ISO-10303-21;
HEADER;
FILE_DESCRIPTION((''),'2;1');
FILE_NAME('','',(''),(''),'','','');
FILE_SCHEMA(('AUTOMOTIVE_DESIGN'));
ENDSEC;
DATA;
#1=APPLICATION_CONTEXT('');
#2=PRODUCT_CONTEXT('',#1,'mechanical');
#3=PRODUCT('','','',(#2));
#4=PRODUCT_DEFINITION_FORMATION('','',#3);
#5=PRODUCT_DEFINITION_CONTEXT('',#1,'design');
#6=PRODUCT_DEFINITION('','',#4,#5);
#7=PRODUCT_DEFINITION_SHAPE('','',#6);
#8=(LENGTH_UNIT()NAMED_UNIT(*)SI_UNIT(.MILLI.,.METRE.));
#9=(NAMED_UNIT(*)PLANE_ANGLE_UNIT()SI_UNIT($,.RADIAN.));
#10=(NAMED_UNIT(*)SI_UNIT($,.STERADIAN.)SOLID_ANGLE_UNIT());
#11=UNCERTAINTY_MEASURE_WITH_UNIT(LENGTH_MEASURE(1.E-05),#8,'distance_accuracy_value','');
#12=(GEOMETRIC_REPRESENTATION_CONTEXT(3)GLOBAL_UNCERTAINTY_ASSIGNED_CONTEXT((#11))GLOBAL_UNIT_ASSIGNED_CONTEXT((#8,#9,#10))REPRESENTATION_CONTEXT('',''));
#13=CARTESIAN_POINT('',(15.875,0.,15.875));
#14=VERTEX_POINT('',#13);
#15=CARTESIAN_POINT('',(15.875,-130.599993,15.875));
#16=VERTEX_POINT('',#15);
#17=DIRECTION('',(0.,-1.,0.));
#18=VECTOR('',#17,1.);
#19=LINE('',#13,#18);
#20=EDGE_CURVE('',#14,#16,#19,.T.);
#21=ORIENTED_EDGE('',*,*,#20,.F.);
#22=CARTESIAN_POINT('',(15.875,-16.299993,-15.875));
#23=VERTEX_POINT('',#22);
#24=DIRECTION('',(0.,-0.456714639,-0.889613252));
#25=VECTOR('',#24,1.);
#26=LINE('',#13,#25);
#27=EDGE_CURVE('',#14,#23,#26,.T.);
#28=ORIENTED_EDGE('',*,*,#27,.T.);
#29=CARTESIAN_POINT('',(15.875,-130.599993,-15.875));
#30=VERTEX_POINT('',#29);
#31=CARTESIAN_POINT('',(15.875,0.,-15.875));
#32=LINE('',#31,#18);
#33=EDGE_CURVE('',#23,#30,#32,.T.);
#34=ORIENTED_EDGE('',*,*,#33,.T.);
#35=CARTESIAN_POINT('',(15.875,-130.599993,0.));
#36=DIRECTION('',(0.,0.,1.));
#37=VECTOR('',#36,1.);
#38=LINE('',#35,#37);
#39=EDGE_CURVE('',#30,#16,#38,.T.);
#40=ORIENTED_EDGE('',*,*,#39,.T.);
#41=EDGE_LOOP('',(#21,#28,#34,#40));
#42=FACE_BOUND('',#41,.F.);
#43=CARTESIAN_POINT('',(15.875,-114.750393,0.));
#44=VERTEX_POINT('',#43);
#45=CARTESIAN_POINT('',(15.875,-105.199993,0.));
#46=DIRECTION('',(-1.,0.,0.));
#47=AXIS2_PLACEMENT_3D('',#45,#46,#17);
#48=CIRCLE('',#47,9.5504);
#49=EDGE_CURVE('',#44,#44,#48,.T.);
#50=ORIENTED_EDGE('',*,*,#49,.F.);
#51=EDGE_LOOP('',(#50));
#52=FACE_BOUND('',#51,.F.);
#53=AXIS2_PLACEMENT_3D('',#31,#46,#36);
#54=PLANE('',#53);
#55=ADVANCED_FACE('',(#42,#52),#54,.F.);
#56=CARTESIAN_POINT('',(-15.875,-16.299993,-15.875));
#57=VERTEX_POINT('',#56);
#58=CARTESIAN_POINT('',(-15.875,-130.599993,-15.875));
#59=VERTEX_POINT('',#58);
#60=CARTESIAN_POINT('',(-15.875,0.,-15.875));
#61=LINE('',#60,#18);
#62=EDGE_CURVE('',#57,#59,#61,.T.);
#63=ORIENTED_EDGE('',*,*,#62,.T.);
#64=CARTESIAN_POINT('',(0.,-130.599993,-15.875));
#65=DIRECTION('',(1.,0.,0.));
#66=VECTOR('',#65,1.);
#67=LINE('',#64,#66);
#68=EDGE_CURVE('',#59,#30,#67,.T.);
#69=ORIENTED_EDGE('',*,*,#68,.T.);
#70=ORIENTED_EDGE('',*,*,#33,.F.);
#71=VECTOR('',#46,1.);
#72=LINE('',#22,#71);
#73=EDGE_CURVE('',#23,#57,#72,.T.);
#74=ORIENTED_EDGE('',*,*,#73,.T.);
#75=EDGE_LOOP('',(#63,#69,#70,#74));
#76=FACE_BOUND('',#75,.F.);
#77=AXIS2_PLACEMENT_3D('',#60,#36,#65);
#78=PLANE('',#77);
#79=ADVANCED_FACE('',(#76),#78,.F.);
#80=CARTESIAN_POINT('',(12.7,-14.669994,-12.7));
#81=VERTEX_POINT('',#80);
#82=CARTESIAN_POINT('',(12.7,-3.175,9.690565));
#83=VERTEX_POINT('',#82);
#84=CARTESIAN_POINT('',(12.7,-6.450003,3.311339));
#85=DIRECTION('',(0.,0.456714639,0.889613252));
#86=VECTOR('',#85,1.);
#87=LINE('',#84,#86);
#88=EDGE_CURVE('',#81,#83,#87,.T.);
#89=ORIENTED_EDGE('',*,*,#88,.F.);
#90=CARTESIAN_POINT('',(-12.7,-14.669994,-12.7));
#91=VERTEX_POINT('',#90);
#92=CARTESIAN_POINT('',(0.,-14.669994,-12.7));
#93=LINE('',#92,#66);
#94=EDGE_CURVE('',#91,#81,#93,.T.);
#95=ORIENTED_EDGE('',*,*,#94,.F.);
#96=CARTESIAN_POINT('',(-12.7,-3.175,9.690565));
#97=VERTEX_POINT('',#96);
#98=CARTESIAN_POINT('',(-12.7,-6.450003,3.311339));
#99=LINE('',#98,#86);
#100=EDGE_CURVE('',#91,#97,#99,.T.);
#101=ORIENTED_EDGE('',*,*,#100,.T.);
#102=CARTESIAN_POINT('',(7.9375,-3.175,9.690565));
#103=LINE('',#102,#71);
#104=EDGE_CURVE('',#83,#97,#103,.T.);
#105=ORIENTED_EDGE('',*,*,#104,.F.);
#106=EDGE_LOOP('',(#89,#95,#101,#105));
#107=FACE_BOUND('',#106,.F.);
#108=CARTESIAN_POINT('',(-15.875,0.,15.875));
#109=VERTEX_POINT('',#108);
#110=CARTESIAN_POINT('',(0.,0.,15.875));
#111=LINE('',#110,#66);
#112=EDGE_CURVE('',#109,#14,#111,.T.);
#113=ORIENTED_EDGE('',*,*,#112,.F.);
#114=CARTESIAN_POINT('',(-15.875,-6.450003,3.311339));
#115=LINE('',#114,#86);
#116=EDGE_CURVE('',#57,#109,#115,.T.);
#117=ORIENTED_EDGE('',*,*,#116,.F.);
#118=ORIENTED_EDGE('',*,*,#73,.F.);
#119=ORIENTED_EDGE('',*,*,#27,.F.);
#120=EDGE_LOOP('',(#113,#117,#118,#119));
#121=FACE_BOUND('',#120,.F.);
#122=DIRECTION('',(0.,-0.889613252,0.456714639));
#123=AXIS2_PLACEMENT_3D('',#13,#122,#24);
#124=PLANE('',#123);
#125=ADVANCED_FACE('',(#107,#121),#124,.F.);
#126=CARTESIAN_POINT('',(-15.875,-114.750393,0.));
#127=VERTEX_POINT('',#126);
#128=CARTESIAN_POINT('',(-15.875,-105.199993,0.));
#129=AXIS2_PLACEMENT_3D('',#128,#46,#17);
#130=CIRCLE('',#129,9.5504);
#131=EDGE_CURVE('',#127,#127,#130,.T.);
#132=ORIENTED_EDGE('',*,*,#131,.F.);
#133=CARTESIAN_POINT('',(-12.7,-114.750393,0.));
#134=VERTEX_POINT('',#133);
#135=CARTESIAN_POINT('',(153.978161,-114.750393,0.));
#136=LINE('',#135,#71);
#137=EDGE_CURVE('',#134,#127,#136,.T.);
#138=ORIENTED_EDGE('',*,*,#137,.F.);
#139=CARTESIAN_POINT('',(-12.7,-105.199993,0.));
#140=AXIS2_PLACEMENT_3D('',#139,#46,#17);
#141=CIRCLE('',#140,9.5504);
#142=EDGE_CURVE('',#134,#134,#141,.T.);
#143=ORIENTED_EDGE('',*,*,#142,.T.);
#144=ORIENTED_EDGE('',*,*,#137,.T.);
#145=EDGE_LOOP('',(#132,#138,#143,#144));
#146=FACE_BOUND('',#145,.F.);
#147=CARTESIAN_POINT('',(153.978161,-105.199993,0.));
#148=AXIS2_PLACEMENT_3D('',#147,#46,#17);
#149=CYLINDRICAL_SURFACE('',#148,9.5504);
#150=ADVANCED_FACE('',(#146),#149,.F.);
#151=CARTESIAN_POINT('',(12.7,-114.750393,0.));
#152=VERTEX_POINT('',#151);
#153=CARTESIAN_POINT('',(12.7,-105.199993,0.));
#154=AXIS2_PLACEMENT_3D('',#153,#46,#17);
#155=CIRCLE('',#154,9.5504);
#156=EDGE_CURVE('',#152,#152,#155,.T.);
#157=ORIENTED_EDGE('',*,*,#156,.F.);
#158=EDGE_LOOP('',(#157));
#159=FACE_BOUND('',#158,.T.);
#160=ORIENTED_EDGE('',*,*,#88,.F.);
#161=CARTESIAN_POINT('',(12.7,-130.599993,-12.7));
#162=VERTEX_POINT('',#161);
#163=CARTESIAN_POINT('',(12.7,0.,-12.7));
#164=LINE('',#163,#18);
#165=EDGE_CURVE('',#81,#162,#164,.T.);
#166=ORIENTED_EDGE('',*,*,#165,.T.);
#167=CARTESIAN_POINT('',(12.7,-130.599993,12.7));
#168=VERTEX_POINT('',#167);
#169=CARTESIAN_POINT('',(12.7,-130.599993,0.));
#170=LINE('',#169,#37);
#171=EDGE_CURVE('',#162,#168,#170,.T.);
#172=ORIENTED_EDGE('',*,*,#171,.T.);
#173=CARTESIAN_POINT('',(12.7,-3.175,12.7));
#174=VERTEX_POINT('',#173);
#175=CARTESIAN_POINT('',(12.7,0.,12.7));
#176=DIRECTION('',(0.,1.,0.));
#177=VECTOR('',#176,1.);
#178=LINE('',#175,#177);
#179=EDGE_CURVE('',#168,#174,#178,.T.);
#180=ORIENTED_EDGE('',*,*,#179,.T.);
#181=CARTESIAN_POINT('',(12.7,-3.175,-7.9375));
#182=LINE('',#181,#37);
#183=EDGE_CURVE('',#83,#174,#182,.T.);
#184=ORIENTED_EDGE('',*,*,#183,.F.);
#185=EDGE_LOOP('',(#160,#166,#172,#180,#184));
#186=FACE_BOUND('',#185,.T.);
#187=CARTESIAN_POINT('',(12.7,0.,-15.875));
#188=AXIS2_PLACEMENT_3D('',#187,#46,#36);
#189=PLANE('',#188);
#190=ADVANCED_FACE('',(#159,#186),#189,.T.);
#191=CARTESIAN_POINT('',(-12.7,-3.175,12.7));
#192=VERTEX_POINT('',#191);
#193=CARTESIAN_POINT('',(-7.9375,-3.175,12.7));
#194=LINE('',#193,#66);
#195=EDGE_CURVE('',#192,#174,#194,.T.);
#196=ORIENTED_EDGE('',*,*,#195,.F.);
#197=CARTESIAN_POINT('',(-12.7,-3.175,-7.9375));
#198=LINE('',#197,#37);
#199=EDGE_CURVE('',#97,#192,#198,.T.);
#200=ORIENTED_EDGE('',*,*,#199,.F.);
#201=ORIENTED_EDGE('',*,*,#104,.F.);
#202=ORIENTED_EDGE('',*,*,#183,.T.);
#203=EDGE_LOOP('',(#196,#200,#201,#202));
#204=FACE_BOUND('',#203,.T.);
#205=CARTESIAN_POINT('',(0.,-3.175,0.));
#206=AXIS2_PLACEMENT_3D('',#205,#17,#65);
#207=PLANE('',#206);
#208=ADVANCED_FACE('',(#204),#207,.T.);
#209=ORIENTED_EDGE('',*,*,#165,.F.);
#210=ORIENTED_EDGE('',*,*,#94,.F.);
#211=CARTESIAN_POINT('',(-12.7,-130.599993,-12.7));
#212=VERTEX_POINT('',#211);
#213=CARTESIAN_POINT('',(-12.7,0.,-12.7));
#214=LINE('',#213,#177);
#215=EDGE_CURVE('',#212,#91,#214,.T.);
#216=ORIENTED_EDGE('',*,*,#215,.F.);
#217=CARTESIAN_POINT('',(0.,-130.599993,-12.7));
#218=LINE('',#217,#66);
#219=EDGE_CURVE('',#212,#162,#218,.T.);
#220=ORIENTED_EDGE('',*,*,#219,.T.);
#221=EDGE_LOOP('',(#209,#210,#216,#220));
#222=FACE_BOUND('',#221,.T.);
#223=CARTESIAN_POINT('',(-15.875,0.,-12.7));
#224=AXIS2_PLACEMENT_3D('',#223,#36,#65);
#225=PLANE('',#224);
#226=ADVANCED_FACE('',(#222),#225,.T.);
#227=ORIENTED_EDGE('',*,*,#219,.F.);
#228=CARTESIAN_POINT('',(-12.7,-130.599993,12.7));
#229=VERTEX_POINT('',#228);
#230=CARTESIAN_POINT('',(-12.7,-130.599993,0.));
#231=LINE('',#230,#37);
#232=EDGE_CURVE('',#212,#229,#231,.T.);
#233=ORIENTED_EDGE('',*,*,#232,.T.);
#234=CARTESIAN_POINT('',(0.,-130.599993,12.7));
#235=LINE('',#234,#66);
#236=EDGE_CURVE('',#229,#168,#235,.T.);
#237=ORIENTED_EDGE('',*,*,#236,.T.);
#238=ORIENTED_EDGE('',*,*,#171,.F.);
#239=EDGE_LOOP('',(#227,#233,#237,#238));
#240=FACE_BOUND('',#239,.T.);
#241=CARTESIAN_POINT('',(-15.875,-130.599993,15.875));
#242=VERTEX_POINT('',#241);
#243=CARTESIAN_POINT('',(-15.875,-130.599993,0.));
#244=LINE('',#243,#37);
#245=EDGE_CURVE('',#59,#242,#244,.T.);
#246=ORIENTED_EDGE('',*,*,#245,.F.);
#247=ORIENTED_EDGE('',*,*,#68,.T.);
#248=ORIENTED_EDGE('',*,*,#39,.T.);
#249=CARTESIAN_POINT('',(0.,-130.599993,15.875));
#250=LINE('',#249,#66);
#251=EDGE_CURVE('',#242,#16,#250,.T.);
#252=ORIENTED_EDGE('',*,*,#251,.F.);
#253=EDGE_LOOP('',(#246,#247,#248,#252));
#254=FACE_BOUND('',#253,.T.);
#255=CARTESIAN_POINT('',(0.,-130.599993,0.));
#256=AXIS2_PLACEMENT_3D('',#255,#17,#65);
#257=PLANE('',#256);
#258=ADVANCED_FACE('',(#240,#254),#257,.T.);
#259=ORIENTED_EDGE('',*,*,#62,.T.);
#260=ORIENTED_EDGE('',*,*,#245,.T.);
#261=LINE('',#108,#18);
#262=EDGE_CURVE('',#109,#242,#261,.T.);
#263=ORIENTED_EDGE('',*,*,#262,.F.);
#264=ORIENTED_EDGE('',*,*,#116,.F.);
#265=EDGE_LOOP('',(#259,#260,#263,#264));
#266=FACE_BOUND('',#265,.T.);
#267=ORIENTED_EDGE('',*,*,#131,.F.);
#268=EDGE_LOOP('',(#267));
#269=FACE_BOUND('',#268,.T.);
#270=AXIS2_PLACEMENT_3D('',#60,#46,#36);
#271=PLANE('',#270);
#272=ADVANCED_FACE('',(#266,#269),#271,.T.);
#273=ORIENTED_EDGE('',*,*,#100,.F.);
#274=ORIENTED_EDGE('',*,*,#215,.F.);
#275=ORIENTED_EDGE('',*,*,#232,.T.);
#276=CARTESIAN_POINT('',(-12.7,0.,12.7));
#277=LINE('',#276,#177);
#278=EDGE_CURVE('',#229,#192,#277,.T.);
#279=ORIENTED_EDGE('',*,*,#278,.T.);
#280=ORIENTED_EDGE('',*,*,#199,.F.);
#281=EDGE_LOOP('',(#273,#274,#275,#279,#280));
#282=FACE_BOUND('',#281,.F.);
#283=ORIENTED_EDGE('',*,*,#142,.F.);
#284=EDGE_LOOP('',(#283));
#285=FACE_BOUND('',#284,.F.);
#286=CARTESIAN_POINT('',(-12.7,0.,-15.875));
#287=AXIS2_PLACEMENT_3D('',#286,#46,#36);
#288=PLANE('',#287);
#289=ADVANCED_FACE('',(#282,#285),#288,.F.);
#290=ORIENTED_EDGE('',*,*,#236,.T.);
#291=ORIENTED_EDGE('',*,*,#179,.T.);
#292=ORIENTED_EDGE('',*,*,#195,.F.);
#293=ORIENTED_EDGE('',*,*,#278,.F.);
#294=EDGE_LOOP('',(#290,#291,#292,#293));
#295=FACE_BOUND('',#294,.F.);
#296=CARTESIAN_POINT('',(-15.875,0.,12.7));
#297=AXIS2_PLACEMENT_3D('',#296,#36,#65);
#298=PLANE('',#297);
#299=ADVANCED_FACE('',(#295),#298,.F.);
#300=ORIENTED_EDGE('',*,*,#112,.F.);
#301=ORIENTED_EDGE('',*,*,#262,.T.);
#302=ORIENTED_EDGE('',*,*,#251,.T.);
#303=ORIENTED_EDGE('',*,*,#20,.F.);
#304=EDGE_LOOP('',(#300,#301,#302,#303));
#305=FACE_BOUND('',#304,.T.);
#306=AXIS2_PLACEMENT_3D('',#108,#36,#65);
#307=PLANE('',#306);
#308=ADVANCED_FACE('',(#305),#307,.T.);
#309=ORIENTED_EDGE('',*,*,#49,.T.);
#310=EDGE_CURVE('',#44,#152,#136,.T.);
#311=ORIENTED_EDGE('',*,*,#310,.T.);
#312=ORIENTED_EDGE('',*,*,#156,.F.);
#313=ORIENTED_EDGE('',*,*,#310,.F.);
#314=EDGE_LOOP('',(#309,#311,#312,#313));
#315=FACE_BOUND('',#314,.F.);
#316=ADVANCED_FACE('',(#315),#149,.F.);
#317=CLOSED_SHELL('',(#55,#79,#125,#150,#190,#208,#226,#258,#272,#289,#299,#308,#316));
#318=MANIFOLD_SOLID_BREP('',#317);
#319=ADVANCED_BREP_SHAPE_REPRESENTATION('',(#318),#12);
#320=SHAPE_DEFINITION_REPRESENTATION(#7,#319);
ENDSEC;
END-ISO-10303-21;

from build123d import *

# Parameters (mm, degrees)
F0_W     = 31.75
F0_H     = 31.75
F1_DEPTH = 130.599993
F2_T     = -3.175
F4_DEPTH = 50.8
F5_D     = 19.1008


with BuildPart() as f1:
    # F0 (on Front) → F1 (new body)
    with BuildSketch(Plane.XZ):
        Rectangle(F0_W, F0_H)
    extrude(amount=F1_DEPTH)

    # F2
    f2_openings = [f1.faces().sort_by_distance(p)[0] for p in [
        (0, -130.599993, 0),
    ]]
    offset(amount=F2_T, openings=f2_openings)

    # F3 (on face) → F4 (cut)
    with BuildSketch(Plane.YZ.offset(15.875)):
        Polygon((0, -15.875), (0, 15.875), (-16.299993, -15.875), align=None)
    extrude(amount=-F4_DEPTH, mode=Mode.SUBTRACT)

    # F5 (through all)
    with Locations(Plane.YZ.offset(15.875)):
        with Locations((-105.199993, 0)):
            Hole(F5_D / 2)


solid = f1.part
